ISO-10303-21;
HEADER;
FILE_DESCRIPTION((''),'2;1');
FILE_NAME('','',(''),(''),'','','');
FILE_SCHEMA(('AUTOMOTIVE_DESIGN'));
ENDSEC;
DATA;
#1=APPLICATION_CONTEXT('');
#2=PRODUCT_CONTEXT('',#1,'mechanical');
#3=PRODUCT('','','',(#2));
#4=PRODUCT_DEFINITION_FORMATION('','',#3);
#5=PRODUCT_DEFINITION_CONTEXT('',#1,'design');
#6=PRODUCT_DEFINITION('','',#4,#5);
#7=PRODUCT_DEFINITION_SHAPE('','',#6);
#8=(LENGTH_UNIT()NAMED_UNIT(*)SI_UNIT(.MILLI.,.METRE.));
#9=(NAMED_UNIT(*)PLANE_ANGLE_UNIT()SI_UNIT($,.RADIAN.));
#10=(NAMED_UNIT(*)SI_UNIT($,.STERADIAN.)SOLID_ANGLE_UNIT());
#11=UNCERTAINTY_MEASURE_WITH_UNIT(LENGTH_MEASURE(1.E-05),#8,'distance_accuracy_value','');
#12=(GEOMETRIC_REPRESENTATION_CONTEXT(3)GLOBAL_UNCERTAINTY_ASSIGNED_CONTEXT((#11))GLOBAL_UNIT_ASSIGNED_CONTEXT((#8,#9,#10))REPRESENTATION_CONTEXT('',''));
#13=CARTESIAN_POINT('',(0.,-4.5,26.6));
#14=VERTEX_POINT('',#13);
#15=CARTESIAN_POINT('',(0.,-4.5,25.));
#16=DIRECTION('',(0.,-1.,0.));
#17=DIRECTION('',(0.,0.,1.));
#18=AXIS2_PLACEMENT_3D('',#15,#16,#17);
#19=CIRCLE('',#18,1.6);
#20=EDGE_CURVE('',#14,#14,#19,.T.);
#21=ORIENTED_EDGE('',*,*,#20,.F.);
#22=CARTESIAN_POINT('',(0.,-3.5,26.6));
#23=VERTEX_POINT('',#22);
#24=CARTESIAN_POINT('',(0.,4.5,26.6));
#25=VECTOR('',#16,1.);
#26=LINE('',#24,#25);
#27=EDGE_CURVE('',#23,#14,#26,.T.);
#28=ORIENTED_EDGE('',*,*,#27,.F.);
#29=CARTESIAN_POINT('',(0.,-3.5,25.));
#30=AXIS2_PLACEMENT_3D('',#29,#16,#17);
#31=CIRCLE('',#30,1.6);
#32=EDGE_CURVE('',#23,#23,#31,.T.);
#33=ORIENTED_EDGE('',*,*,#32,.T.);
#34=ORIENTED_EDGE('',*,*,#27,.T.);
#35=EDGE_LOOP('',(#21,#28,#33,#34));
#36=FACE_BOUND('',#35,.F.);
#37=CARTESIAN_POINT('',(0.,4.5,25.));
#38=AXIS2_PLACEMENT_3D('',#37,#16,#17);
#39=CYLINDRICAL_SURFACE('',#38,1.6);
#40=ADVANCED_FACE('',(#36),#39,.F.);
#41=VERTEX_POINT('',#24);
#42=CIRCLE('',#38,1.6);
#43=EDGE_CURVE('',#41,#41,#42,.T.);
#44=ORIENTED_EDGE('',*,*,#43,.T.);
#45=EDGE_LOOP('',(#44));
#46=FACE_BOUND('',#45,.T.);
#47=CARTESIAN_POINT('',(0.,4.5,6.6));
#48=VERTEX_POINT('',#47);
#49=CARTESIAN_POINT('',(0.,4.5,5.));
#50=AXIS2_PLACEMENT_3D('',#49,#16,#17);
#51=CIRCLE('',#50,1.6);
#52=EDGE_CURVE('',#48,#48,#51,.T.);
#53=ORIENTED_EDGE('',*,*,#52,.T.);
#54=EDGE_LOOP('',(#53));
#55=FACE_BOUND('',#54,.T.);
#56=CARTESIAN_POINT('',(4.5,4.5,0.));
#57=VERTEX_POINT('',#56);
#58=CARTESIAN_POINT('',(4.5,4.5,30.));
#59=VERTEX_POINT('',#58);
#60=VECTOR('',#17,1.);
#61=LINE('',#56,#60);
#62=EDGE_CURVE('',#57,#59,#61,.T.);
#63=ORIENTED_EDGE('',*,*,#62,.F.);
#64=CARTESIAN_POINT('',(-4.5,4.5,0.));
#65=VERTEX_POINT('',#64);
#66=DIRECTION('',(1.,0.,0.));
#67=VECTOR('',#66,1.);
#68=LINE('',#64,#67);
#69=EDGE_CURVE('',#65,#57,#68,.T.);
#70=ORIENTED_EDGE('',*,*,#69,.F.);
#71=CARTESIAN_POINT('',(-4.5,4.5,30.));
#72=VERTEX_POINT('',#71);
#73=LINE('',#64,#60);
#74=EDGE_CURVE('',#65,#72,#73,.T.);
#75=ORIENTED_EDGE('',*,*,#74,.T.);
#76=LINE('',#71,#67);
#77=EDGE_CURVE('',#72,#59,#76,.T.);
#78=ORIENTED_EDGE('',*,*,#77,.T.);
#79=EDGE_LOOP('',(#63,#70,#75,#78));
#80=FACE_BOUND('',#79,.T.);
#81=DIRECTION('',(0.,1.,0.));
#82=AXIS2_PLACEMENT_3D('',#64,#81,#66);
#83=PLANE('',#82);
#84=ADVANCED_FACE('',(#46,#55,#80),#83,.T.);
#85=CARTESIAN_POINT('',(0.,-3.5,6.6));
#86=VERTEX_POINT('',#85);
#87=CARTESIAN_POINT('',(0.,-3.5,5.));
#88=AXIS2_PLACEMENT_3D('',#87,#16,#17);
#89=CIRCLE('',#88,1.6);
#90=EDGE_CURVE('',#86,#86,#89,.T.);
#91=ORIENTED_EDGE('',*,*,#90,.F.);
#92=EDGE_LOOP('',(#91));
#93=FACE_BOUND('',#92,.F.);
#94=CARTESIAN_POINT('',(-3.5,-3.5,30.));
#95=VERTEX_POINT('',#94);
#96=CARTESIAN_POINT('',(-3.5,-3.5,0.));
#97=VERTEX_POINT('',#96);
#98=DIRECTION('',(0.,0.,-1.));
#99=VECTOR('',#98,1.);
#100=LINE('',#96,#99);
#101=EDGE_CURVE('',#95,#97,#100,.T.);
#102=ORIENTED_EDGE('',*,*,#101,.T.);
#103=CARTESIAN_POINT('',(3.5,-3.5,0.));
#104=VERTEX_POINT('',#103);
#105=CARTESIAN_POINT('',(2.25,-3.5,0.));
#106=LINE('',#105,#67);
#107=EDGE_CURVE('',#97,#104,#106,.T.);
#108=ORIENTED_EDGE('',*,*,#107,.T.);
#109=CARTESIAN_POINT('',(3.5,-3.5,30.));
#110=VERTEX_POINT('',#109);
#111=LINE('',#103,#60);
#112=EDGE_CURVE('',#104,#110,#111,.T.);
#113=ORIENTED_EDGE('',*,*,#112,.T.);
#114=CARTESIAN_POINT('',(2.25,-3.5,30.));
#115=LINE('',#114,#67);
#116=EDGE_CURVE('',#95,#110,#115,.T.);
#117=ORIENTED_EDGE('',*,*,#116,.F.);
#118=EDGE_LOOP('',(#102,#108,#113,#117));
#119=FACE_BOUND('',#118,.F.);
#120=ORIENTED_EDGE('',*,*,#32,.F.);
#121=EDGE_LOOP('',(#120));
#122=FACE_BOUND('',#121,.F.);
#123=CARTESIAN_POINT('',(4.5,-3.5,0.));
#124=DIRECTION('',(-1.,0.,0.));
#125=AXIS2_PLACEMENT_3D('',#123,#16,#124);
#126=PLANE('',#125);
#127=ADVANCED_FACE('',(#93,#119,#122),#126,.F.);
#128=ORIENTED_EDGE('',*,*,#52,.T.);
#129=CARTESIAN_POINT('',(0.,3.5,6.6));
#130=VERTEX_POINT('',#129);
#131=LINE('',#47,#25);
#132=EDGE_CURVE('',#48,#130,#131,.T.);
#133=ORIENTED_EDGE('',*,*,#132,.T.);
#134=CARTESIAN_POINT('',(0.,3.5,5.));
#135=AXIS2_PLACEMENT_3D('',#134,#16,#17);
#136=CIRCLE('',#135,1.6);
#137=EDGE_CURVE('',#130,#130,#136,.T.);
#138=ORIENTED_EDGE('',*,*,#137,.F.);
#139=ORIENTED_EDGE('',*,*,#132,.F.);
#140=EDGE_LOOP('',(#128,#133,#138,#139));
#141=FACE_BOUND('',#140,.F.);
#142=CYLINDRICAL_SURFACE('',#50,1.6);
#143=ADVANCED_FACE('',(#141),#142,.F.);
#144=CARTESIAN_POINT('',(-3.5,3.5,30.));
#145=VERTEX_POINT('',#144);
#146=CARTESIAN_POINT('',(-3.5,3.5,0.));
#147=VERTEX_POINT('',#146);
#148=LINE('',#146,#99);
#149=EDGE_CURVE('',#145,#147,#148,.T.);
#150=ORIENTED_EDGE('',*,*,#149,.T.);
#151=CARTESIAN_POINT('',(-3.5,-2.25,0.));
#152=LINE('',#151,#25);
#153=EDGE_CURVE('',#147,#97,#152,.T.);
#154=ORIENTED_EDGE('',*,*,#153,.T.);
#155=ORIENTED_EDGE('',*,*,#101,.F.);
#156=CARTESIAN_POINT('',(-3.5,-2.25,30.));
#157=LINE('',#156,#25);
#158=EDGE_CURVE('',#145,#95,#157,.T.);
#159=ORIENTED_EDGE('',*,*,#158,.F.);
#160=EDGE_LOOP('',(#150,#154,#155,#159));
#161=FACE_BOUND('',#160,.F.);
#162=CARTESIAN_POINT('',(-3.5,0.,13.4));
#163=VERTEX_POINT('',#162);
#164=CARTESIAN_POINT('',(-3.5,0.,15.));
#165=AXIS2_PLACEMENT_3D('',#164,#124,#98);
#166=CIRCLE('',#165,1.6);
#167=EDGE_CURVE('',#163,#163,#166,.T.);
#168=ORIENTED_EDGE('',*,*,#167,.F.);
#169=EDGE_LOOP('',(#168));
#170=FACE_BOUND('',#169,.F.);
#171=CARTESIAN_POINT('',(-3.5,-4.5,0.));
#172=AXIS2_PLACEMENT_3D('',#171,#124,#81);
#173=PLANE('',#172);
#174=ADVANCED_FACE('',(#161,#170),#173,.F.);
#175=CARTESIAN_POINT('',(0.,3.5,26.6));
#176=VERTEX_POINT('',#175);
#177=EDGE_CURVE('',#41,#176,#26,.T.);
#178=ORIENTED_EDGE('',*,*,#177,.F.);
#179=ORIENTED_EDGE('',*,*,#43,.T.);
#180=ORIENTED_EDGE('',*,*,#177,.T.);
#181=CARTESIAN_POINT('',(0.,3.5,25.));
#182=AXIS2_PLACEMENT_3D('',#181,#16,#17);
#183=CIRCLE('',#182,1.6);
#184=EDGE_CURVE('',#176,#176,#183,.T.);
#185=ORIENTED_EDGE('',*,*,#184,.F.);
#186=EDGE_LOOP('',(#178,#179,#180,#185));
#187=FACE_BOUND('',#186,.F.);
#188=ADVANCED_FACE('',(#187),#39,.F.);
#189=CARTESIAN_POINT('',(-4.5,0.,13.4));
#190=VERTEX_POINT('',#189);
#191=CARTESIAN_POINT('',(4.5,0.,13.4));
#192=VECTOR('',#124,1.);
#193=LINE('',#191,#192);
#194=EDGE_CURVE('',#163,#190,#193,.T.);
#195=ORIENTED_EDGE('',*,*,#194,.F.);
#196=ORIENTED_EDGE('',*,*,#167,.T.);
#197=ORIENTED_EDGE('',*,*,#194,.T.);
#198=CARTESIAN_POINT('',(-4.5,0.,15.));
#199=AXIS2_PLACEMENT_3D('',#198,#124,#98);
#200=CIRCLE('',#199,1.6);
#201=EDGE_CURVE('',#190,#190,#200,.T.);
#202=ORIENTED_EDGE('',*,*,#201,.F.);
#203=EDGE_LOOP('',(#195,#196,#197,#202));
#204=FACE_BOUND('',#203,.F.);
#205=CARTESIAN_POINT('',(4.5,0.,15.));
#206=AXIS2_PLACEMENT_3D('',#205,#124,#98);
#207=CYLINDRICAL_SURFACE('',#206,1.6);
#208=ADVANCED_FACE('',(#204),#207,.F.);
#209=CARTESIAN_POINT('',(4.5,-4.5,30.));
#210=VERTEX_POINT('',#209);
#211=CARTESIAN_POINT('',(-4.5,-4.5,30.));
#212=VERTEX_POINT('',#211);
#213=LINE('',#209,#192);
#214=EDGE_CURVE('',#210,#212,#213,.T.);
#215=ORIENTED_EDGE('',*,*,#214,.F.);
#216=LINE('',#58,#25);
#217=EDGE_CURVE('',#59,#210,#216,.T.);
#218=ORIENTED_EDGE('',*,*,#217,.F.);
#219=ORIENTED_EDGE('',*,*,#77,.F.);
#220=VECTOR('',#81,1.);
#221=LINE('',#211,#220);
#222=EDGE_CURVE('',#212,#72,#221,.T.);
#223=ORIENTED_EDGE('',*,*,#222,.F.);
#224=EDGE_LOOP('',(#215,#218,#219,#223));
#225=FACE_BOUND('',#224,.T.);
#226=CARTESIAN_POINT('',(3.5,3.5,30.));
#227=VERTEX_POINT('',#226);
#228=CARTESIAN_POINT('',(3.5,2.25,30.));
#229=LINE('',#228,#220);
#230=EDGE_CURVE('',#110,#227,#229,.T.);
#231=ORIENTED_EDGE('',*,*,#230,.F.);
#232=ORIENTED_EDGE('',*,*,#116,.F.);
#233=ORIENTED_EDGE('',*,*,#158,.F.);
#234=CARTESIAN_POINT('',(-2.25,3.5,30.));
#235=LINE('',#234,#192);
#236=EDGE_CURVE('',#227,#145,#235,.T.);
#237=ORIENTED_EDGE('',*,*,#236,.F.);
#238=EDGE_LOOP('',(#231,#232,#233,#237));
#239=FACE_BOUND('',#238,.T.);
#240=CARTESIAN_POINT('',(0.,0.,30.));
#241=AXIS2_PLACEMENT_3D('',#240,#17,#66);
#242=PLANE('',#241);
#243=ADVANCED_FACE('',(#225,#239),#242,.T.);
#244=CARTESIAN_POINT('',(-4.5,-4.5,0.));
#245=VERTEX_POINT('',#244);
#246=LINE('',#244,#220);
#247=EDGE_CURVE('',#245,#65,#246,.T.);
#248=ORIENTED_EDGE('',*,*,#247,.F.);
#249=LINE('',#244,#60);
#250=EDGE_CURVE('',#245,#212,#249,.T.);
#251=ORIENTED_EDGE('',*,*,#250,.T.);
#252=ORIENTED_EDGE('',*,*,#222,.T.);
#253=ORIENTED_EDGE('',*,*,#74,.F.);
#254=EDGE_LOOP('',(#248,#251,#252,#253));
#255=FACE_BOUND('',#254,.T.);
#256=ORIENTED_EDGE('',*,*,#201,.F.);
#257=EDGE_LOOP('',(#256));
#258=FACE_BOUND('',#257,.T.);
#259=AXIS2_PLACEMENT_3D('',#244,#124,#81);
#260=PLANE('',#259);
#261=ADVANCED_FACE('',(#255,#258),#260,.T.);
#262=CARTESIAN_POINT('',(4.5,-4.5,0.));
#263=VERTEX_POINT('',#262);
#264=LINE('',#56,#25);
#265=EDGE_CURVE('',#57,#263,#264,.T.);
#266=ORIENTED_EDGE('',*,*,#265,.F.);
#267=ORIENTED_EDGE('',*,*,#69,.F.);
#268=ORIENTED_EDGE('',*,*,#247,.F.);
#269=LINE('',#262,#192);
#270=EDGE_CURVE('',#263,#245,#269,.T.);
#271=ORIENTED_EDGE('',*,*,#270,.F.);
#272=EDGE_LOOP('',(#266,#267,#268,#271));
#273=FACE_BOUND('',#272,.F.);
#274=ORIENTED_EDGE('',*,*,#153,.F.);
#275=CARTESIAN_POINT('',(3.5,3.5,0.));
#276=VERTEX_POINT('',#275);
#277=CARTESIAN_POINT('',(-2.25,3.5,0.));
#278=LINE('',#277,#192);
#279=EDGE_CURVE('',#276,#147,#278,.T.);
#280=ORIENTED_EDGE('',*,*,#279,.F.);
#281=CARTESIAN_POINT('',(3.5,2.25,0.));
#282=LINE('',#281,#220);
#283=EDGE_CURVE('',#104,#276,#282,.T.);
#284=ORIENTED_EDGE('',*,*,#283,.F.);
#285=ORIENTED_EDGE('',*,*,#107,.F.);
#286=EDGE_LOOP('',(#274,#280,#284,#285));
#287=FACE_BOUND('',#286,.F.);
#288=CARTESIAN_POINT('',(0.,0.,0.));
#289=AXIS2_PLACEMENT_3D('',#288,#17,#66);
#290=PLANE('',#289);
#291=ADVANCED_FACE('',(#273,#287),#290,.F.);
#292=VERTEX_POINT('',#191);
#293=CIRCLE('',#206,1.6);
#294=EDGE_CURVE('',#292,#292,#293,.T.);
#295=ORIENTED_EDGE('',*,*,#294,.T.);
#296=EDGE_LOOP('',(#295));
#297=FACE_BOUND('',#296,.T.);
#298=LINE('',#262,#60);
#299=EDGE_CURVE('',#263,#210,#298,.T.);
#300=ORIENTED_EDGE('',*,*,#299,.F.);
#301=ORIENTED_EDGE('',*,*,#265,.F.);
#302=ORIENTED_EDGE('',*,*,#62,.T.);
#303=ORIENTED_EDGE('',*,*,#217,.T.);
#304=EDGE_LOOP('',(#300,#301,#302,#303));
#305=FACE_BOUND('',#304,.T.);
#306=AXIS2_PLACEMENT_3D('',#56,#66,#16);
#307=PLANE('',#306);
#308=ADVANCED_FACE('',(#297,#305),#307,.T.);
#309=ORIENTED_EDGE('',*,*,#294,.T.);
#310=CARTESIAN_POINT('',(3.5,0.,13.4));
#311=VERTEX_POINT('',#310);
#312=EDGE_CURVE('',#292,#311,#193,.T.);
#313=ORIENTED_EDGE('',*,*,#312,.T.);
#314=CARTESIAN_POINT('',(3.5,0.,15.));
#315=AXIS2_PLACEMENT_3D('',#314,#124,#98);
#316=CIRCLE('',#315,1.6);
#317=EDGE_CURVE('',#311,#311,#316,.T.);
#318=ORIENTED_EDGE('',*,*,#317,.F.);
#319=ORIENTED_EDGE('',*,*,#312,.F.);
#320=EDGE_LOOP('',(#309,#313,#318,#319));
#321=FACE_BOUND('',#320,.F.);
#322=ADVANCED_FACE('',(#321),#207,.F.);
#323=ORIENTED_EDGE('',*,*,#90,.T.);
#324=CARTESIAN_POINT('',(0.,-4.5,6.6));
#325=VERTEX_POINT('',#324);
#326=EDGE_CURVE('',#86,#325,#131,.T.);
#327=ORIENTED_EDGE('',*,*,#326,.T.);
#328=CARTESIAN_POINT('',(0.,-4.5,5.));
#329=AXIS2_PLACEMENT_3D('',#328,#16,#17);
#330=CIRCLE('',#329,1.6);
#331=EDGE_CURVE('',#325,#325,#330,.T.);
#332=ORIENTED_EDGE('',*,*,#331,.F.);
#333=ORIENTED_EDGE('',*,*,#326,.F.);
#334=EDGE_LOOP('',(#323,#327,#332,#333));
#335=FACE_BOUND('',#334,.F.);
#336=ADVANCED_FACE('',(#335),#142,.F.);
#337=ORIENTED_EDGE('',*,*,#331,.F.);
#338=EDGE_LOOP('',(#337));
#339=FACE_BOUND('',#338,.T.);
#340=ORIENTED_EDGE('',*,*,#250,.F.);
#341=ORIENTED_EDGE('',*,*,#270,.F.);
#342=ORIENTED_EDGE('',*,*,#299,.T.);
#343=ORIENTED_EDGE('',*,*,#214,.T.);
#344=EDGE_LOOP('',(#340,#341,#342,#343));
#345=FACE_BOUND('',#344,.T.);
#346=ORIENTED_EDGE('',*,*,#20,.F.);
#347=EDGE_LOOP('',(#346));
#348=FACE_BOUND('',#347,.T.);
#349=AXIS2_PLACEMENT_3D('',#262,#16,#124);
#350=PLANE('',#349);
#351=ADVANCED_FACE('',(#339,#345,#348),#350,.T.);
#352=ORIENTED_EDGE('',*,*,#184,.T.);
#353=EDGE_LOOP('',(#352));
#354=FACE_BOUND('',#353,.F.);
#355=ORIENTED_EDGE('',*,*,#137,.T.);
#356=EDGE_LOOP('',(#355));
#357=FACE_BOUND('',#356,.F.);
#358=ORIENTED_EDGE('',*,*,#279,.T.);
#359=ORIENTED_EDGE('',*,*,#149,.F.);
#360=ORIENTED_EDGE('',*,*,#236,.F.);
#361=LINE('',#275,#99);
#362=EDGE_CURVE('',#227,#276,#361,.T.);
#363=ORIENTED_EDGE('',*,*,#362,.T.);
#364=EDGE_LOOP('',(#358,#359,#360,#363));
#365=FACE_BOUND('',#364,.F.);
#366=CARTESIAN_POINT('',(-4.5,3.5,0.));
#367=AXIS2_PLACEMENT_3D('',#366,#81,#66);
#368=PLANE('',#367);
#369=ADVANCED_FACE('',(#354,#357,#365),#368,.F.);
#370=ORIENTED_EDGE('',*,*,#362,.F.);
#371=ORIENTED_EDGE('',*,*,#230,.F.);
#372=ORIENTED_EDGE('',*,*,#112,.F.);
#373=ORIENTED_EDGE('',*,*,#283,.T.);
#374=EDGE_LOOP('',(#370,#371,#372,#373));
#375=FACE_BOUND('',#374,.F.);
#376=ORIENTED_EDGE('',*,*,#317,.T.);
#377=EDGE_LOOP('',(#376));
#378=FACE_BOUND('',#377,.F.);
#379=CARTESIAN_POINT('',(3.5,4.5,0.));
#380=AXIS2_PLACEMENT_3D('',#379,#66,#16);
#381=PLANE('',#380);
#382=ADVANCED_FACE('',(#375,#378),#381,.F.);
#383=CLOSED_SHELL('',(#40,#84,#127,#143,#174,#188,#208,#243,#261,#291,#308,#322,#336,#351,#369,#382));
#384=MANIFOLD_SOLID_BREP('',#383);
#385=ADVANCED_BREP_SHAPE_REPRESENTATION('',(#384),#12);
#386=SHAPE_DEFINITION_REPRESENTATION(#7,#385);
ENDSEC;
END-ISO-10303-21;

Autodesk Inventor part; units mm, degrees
ref_plane "YZ Plane" through (0, 0, 0) normal (1, 0, 0) x (0, 1, 0)
ref_plane "XZ Plane" through (0, 0, 0) normal (0, 1, 0) x (-1, 0, 0)
ref_plane "XY Plane" through (0, 0, 0) normal (0, 0, 1) x (1, 0, 0)
sketch "スケッチ1" plane through (0, 0, 0) normal (0, 0, 1) x (1, 0, 0)
  line L0 (4.5, -4.5) -> (-4.5, -4.5)
  line L1 (-4.5, -4.5) -> (-4.5, 4.5)
  line L2 (-4.5, 4.5) -> (4.5, 4.5)
  line L3 (4.5, 4.5) -> (4.5, -4.5)
  line L4 (4.5, -4.5) -> (-4.5, 4.5) construction
  line L5 (-4.5, -4.5) -> (4.5, 4.5) construction
  point P0 (0, 0)
  dimension "d0" = 9
  dimension "d1" = 9
extrude "押し出し1" add sketch "スケッチ1" along normal blind 30
shell "シェル1" thickness 1 removed faces 2 at (1.5, -1.5, 0) at (1.5, -1.5, 30)
sketch "スケッチ2" plane through (-4.5, 4.5, 0) normal (0, 1, 0) x (1, 0, 0)
  line L0 (0, 0) -> (9, 0) projected
  point P0 (4.5, 0)
  point P1 (4.5, -5)
  point P2 (4.5, -25)
  point P3 (4.5, 0)
  dimension "d5" = 20
  dimension "d6" = 5
hole "穴1" at (0, 4.5, 5) at (0, 4.5, 25) direction (0, -1, 0) diameter 3.2 end through all
sketch "スケッチ3" plane through (4.5, -4.5, 0) normal (1, 0, 0) x (0, 0, -1)
  line L0 (0, 9) -> (0, 0) projected
  line L1 (0, 9) -> (-30, 9) projected
  line L2 (-30, 0) -> (-30, 9) projected
  line L3 (0, 0) -> (-30, 0) projected
  point P0 (0, 4.5)
  point P1 (-15, 4.5)
  point P2 (-15, 9)
  point P3 (0, 4.5)
hole "穴2" at (4.5, 0, 15) direction (-1, 0, 0) diameter 3.2 end through all
properties part number "SqPipeminin"
